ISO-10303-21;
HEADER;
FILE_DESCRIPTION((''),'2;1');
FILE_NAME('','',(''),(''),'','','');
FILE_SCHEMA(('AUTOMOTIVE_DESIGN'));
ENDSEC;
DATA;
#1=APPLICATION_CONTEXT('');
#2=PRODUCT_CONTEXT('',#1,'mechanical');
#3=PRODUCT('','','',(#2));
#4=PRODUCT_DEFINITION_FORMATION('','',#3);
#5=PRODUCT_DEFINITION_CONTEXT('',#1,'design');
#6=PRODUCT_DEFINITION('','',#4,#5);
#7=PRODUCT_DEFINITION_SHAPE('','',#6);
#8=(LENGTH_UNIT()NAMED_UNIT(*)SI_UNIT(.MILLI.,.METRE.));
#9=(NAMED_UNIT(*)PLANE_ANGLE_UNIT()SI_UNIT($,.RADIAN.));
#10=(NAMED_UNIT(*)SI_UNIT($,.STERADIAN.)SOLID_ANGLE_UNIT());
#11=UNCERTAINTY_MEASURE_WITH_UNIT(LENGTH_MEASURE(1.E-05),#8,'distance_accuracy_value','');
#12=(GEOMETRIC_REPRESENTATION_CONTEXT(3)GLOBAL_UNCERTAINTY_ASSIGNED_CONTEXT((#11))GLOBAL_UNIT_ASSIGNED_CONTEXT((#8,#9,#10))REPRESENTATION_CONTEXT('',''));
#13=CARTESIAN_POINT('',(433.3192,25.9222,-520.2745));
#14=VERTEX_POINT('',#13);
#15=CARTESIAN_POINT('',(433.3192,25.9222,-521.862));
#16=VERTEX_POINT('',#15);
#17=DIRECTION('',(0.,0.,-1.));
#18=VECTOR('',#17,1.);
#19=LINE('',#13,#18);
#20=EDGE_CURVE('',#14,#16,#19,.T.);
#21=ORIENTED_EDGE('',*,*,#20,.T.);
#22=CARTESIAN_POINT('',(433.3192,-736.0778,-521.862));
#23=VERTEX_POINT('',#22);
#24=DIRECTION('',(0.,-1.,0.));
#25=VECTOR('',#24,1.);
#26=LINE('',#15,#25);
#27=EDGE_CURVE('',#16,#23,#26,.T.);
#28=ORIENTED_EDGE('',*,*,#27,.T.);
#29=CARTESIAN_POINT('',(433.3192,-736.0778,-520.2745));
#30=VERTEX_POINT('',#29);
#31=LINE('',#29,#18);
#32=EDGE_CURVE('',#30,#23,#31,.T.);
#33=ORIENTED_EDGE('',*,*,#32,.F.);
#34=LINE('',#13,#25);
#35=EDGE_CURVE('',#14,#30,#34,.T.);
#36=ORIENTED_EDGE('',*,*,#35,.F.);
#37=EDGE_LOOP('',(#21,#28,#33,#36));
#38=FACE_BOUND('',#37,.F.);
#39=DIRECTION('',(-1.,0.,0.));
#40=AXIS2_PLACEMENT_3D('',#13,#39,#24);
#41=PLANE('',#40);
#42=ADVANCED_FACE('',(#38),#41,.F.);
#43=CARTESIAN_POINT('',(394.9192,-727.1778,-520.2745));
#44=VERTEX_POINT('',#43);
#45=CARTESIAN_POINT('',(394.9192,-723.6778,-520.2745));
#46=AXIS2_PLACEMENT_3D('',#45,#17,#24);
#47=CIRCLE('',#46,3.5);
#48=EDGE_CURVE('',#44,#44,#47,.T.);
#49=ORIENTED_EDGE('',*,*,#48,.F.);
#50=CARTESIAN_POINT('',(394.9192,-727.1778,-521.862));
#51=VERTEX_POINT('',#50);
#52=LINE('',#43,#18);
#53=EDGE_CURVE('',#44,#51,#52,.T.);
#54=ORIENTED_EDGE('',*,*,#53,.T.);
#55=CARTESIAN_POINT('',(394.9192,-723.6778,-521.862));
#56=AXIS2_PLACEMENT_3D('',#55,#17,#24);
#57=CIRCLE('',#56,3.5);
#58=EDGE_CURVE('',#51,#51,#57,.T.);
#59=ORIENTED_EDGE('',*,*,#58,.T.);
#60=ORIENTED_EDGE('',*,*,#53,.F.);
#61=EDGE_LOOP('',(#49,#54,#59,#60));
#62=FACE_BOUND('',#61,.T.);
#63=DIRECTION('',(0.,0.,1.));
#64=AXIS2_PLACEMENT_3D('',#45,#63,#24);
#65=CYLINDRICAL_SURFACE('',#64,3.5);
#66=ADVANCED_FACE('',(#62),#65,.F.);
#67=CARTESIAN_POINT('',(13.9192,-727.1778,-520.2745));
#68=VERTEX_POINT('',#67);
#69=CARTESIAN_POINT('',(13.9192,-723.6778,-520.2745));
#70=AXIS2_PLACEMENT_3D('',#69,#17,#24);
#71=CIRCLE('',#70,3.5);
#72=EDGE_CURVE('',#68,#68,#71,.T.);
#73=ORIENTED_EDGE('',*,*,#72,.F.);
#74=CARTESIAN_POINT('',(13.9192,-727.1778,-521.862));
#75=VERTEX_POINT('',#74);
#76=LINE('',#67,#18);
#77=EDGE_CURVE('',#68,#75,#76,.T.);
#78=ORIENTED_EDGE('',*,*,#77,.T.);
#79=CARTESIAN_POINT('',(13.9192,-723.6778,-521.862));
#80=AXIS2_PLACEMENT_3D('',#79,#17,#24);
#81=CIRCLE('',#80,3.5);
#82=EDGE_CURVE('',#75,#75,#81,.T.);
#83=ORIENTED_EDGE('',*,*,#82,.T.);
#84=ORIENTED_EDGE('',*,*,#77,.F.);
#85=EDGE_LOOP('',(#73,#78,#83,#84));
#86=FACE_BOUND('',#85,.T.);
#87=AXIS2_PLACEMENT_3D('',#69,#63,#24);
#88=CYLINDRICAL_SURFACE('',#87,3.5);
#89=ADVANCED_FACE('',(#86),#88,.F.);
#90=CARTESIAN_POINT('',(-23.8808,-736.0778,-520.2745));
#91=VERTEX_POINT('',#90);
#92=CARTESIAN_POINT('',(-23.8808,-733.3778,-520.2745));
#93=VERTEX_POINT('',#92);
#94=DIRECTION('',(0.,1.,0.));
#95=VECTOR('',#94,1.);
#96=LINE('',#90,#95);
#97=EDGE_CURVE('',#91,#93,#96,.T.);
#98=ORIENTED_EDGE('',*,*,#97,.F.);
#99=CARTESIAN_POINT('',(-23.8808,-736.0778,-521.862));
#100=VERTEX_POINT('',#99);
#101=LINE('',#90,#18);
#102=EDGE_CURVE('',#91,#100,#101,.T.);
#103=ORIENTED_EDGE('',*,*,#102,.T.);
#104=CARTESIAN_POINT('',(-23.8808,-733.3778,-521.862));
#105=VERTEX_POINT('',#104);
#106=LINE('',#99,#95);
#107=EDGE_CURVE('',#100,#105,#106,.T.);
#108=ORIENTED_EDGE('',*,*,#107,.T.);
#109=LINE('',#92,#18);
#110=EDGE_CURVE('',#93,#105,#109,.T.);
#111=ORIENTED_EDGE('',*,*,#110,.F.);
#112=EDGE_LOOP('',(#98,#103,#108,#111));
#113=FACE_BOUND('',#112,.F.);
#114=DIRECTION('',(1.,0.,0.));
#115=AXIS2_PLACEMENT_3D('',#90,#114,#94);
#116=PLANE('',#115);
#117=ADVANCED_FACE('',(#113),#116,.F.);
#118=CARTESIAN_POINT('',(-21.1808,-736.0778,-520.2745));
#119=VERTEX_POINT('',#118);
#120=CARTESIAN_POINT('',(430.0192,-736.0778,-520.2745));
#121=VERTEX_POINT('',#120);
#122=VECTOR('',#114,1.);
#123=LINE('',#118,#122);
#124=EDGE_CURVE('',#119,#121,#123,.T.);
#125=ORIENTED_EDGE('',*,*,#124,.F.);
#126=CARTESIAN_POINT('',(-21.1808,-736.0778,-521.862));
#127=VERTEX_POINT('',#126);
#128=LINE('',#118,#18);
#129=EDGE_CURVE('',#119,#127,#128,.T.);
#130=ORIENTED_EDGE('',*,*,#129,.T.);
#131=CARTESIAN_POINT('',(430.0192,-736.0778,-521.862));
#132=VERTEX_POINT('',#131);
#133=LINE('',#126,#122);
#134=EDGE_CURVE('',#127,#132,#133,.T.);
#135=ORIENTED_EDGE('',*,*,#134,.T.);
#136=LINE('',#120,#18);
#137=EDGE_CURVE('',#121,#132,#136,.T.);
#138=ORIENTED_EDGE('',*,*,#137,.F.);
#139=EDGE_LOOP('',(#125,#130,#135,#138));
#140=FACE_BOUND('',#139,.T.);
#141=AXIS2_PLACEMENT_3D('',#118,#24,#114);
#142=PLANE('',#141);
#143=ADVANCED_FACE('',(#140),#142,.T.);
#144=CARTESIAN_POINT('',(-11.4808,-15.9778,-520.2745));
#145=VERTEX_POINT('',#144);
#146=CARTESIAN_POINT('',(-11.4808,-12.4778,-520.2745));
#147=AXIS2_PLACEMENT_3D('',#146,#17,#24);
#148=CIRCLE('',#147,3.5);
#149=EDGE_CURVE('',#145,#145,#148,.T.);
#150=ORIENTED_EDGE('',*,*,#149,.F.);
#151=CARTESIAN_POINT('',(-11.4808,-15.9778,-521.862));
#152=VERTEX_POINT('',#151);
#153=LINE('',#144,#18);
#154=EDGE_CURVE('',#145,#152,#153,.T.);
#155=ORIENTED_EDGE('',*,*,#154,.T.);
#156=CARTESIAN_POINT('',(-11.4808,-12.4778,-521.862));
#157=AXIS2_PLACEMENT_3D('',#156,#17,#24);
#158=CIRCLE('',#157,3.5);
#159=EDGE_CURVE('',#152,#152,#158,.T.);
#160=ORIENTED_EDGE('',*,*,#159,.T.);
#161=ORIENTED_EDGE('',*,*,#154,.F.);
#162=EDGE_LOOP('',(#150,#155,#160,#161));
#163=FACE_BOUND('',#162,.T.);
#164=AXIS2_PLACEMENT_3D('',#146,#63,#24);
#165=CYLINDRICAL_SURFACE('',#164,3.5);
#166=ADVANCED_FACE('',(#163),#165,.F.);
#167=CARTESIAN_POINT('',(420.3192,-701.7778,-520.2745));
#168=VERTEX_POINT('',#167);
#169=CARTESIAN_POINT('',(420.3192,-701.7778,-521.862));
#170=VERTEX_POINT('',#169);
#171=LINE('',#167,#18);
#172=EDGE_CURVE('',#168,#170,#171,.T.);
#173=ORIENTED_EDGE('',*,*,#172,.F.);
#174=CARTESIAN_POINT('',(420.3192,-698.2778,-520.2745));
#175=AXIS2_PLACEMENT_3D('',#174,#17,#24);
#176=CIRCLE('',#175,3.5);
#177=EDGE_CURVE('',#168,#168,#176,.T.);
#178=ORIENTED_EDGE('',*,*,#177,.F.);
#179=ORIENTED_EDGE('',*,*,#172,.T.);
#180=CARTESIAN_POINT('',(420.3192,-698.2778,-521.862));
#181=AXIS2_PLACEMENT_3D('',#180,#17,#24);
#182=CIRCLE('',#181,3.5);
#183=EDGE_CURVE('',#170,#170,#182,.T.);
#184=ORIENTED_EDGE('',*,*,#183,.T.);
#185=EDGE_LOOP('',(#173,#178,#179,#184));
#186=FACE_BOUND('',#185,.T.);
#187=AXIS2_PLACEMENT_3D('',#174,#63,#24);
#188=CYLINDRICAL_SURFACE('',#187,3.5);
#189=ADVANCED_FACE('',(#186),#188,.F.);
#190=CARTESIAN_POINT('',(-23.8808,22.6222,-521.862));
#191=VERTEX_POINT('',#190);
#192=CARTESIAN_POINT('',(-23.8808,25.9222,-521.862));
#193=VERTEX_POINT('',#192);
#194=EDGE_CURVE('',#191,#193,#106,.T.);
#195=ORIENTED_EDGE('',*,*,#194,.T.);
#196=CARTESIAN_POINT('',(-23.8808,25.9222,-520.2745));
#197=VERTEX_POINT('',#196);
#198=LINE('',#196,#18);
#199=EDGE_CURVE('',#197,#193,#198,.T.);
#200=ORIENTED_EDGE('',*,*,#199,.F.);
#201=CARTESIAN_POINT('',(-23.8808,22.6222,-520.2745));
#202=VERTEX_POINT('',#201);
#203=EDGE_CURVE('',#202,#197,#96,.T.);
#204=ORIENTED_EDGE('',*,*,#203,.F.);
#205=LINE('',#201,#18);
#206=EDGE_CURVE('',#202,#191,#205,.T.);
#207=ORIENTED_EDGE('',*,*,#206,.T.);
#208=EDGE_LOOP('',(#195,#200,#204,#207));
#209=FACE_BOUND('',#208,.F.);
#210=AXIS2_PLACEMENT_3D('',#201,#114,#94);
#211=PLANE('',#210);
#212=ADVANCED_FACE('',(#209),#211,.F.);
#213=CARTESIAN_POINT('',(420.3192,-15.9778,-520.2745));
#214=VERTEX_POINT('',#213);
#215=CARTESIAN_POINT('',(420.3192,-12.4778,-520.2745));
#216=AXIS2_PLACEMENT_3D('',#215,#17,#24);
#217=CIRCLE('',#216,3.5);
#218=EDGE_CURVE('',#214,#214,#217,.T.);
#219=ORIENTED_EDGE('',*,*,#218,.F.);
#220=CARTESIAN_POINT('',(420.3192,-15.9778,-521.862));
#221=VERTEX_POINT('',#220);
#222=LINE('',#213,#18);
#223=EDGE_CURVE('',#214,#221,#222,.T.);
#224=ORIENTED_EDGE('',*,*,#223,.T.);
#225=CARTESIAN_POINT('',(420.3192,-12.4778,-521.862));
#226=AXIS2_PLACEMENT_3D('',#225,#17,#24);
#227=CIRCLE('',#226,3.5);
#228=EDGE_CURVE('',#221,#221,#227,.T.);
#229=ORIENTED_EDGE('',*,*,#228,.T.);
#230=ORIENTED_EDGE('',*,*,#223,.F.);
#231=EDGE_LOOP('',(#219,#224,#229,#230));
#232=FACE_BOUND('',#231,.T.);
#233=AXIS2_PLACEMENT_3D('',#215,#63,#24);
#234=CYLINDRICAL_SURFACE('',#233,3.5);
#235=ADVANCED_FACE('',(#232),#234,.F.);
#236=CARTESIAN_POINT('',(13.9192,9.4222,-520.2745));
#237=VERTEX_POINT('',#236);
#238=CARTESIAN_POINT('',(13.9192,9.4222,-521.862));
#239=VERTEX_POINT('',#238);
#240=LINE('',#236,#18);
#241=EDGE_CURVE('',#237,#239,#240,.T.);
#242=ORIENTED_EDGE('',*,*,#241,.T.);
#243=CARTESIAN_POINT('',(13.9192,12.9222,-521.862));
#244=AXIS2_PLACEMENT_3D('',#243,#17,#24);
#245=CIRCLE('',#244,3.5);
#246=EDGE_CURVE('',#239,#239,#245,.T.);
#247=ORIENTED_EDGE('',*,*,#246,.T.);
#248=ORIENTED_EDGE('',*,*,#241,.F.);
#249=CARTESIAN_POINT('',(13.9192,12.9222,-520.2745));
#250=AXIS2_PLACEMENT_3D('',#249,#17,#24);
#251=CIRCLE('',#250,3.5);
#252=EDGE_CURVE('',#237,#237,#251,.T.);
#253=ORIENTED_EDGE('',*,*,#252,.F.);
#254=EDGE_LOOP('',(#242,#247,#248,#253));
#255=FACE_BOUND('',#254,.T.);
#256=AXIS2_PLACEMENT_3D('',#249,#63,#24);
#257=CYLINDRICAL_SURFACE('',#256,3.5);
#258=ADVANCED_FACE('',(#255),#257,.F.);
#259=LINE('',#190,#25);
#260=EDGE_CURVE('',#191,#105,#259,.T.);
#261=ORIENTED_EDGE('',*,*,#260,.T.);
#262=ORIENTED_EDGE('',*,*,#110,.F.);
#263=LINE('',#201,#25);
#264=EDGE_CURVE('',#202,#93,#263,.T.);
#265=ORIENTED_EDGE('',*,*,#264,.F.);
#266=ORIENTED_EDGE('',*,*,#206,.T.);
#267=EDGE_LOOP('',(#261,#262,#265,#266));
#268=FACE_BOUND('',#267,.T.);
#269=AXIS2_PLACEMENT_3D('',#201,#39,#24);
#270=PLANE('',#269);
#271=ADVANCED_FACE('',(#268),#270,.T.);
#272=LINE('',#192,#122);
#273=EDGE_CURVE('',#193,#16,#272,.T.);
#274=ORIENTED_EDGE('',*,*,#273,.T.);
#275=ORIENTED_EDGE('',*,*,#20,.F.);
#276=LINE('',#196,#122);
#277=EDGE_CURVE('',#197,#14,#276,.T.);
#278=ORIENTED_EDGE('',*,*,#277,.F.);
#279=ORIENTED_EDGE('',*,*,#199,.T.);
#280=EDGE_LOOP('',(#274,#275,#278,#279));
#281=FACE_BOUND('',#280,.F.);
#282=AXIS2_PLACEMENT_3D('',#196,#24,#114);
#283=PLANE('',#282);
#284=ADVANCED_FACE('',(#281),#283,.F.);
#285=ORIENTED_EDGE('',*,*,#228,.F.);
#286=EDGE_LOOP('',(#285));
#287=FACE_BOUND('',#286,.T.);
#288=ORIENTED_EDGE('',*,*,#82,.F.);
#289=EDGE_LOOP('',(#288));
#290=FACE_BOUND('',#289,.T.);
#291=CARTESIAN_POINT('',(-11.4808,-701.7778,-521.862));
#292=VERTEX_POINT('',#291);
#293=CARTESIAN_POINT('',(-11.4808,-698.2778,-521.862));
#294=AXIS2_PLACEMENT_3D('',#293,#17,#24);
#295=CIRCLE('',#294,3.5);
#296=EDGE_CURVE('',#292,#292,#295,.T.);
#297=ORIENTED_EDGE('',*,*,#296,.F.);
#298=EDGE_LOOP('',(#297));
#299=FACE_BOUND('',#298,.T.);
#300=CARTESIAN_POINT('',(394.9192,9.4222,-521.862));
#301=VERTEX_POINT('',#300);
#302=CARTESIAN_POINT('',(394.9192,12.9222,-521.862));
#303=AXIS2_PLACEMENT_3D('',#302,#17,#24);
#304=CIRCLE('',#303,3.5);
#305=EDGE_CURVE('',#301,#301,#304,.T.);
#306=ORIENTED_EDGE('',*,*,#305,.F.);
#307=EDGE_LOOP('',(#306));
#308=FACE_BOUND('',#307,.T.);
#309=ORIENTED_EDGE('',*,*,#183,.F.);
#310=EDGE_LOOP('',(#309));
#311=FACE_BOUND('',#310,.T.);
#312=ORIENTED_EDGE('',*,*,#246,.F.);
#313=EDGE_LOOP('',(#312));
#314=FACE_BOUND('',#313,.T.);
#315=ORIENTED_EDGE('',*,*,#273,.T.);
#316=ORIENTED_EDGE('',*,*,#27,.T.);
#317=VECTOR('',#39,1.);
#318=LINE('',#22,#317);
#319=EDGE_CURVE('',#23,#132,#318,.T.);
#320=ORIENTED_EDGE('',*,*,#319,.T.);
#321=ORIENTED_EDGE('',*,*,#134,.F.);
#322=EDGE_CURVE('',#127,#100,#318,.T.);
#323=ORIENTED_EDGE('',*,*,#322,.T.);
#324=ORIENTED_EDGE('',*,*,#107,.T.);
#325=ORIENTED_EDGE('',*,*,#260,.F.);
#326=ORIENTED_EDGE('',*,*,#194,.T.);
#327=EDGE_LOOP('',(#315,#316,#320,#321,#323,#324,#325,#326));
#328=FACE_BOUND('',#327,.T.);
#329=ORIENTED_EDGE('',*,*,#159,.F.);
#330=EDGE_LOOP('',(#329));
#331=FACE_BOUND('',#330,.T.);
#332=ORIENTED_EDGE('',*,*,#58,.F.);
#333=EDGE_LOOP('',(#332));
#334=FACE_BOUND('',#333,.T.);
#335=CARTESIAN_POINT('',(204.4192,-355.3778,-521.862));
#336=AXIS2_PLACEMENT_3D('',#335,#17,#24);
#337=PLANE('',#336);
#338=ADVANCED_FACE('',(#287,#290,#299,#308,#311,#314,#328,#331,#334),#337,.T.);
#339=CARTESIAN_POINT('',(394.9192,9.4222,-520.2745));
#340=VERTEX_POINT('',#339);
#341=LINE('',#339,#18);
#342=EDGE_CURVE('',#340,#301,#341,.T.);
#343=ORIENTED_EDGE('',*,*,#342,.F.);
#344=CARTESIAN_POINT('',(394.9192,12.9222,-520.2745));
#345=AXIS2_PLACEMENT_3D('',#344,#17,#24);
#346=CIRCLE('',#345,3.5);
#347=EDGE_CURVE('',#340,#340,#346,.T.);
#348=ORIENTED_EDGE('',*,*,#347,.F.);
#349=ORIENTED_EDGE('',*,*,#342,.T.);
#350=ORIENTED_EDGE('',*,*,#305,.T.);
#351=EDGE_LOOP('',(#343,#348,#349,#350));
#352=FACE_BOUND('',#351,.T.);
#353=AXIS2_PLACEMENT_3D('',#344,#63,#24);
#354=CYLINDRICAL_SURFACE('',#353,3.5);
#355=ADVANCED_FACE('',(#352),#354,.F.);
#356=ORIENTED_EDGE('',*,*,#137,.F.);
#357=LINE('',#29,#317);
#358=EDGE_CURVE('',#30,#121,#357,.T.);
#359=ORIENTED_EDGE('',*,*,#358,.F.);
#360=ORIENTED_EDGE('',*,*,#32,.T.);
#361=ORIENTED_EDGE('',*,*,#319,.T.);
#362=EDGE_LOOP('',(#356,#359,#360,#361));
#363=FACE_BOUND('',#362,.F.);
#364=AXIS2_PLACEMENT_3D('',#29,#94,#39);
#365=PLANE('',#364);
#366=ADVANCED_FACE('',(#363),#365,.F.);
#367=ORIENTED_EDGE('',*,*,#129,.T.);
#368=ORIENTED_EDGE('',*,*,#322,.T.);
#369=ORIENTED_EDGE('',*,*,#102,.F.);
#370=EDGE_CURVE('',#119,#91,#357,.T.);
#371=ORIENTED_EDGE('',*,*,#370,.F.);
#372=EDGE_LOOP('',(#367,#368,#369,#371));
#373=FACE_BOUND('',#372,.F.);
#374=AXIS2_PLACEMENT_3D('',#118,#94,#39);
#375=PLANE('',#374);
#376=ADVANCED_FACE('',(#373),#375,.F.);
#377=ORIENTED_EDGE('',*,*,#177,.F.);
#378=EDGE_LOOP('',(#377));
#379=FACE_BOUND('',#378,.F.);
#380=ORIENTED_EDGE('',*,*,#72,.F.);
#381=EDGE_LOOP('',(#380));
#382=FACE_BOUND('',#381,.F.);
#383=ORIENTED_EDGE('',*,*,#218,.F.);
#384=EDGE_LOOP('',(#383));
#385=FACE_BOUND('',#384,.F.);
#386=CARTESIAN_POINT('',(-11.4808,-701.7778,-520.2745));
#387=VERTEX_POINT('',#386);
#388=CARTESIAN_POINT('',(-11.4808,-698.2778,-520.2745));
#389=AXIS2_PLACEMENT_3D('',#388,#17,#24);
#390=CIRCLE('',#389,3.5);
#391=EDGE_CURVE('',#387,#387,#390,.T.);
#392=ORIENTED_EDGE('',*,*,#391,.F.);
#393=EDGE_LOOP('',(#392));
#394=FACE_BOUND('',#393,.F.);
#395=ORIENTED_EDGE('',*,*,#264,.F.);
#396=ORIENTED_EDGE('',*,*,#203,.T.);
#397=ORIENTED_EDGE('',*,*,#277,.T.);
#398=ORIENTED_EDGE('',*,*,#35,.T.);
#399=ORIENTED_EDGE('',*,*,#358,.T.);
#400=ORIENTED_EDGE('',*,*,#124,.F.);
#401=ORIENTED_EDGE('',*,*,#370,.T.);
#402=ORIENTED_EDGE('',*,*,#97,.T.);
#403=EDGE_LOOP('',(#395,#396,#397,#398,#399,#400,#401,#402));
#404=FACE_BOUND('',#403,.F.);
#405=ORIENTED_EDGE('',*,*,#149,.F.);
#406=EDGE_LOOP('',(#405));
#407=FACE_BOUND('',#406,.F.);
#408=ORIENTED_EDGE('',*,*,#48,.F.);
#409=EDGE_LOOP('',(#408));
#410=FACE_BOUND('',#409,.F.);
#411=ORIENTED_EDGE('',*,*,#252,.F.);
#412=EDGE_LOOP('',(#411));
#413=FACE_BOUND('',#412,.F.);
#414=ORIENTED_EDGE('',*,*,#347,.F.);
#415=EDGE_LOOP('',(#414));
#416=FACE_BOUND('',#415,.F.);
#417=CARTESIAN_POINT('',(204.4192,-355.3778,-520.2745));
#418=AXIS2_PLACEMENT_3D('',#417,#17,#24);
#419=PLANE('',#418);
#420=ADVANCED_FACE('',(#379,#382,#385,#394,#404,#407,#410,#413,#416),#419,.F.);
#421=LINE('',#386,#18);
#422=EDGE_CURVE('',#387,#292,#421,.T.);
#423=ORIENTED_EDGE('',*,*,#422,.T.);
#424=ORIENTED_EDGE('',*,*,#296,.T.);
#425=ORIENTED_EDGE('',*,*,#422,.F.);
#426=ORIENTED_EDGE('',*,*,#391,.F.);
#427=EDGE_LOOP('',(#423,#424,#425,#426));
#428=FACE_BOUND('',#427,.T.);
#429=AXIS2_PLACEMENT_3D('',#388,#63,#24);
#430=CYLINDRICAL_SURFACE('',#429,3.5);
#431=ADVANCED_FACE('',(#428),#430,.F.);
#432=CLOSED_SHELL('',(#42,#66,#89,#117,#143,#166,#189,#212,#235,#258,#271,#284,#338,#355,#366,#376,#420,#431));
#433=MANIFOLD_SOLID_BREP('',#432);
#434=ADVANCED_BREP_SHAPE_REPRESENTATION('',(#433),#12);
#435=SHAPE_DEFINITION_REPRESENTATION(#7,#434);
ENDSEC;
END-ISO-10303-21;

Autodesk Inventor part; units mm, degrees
ref_plane "YZ Plane" through (0, 0, 0) normal (1, 0, 0) x (0, 1, 0)
ref_plane "XZ Plane" through (0, 0, 0) normal (0, 1, 0) x (-1, 0, 0)
ref_plane "XY Plane" through (0, 0, 0) normal (0, 0, 1) x (1, 0, 0)
ref_plane "Work Plane1" through (204.4192, -355.3778, -520.2745) normal (0, 0, -1) x (0, -1, 0)
sketch "Sketch1" plane through (204.4192, -355.3778, -520.2745) normal (0, 0, -1) x (0, -1, 0)
  line L0 (355.8032, 202.9143) -> (355.8032, -203.4857) projected
  line L1 (380.7, 225.6) -> (380.7, -225.6) projected
  line L2 (-378, 228.3) -> (378, 228.3) projected
  circle A0 centre (368.3, 190.5) radius 3.5 projected
  circle A1 centre (342.9, 215.9) radius 3.5 projected
  circle A2 centre (368.3, -190.5) radius 3.5 projected
  circle A3 centre (342.9, -215.9) radius 3.5 projected
  circle A4 centre (-342.9, -215.9) radius 3.5 projected
  circle A5 centre (-368.3, -190.5) radius 3.5 projected
  circle A6 centre (-368.3, 190.5) radius 3.5 projected
  circle A7 centre (-342.9, 215.9) radius 3.5 projected
  line L3 (380.7, 228.3) -> (-381.3, 228.3)
  line L4 (-381.3, 228.3) -> (-381.3, -228.9)
  line L5 (-381.3, -228.9) -> (380.7, -228.9)
  line L6 (380.7, -228.9) -> (380.7, 228.3)
  point P0 (-355.3778, 204.4192)
  dimension "d0" = 762
  dimension "d1" = 457.2
extrude "Extrusion1" add sketch "Sketch1" along normal blind 1.5875
properties part number "vrRig_v8_enclosure_topPanel"
